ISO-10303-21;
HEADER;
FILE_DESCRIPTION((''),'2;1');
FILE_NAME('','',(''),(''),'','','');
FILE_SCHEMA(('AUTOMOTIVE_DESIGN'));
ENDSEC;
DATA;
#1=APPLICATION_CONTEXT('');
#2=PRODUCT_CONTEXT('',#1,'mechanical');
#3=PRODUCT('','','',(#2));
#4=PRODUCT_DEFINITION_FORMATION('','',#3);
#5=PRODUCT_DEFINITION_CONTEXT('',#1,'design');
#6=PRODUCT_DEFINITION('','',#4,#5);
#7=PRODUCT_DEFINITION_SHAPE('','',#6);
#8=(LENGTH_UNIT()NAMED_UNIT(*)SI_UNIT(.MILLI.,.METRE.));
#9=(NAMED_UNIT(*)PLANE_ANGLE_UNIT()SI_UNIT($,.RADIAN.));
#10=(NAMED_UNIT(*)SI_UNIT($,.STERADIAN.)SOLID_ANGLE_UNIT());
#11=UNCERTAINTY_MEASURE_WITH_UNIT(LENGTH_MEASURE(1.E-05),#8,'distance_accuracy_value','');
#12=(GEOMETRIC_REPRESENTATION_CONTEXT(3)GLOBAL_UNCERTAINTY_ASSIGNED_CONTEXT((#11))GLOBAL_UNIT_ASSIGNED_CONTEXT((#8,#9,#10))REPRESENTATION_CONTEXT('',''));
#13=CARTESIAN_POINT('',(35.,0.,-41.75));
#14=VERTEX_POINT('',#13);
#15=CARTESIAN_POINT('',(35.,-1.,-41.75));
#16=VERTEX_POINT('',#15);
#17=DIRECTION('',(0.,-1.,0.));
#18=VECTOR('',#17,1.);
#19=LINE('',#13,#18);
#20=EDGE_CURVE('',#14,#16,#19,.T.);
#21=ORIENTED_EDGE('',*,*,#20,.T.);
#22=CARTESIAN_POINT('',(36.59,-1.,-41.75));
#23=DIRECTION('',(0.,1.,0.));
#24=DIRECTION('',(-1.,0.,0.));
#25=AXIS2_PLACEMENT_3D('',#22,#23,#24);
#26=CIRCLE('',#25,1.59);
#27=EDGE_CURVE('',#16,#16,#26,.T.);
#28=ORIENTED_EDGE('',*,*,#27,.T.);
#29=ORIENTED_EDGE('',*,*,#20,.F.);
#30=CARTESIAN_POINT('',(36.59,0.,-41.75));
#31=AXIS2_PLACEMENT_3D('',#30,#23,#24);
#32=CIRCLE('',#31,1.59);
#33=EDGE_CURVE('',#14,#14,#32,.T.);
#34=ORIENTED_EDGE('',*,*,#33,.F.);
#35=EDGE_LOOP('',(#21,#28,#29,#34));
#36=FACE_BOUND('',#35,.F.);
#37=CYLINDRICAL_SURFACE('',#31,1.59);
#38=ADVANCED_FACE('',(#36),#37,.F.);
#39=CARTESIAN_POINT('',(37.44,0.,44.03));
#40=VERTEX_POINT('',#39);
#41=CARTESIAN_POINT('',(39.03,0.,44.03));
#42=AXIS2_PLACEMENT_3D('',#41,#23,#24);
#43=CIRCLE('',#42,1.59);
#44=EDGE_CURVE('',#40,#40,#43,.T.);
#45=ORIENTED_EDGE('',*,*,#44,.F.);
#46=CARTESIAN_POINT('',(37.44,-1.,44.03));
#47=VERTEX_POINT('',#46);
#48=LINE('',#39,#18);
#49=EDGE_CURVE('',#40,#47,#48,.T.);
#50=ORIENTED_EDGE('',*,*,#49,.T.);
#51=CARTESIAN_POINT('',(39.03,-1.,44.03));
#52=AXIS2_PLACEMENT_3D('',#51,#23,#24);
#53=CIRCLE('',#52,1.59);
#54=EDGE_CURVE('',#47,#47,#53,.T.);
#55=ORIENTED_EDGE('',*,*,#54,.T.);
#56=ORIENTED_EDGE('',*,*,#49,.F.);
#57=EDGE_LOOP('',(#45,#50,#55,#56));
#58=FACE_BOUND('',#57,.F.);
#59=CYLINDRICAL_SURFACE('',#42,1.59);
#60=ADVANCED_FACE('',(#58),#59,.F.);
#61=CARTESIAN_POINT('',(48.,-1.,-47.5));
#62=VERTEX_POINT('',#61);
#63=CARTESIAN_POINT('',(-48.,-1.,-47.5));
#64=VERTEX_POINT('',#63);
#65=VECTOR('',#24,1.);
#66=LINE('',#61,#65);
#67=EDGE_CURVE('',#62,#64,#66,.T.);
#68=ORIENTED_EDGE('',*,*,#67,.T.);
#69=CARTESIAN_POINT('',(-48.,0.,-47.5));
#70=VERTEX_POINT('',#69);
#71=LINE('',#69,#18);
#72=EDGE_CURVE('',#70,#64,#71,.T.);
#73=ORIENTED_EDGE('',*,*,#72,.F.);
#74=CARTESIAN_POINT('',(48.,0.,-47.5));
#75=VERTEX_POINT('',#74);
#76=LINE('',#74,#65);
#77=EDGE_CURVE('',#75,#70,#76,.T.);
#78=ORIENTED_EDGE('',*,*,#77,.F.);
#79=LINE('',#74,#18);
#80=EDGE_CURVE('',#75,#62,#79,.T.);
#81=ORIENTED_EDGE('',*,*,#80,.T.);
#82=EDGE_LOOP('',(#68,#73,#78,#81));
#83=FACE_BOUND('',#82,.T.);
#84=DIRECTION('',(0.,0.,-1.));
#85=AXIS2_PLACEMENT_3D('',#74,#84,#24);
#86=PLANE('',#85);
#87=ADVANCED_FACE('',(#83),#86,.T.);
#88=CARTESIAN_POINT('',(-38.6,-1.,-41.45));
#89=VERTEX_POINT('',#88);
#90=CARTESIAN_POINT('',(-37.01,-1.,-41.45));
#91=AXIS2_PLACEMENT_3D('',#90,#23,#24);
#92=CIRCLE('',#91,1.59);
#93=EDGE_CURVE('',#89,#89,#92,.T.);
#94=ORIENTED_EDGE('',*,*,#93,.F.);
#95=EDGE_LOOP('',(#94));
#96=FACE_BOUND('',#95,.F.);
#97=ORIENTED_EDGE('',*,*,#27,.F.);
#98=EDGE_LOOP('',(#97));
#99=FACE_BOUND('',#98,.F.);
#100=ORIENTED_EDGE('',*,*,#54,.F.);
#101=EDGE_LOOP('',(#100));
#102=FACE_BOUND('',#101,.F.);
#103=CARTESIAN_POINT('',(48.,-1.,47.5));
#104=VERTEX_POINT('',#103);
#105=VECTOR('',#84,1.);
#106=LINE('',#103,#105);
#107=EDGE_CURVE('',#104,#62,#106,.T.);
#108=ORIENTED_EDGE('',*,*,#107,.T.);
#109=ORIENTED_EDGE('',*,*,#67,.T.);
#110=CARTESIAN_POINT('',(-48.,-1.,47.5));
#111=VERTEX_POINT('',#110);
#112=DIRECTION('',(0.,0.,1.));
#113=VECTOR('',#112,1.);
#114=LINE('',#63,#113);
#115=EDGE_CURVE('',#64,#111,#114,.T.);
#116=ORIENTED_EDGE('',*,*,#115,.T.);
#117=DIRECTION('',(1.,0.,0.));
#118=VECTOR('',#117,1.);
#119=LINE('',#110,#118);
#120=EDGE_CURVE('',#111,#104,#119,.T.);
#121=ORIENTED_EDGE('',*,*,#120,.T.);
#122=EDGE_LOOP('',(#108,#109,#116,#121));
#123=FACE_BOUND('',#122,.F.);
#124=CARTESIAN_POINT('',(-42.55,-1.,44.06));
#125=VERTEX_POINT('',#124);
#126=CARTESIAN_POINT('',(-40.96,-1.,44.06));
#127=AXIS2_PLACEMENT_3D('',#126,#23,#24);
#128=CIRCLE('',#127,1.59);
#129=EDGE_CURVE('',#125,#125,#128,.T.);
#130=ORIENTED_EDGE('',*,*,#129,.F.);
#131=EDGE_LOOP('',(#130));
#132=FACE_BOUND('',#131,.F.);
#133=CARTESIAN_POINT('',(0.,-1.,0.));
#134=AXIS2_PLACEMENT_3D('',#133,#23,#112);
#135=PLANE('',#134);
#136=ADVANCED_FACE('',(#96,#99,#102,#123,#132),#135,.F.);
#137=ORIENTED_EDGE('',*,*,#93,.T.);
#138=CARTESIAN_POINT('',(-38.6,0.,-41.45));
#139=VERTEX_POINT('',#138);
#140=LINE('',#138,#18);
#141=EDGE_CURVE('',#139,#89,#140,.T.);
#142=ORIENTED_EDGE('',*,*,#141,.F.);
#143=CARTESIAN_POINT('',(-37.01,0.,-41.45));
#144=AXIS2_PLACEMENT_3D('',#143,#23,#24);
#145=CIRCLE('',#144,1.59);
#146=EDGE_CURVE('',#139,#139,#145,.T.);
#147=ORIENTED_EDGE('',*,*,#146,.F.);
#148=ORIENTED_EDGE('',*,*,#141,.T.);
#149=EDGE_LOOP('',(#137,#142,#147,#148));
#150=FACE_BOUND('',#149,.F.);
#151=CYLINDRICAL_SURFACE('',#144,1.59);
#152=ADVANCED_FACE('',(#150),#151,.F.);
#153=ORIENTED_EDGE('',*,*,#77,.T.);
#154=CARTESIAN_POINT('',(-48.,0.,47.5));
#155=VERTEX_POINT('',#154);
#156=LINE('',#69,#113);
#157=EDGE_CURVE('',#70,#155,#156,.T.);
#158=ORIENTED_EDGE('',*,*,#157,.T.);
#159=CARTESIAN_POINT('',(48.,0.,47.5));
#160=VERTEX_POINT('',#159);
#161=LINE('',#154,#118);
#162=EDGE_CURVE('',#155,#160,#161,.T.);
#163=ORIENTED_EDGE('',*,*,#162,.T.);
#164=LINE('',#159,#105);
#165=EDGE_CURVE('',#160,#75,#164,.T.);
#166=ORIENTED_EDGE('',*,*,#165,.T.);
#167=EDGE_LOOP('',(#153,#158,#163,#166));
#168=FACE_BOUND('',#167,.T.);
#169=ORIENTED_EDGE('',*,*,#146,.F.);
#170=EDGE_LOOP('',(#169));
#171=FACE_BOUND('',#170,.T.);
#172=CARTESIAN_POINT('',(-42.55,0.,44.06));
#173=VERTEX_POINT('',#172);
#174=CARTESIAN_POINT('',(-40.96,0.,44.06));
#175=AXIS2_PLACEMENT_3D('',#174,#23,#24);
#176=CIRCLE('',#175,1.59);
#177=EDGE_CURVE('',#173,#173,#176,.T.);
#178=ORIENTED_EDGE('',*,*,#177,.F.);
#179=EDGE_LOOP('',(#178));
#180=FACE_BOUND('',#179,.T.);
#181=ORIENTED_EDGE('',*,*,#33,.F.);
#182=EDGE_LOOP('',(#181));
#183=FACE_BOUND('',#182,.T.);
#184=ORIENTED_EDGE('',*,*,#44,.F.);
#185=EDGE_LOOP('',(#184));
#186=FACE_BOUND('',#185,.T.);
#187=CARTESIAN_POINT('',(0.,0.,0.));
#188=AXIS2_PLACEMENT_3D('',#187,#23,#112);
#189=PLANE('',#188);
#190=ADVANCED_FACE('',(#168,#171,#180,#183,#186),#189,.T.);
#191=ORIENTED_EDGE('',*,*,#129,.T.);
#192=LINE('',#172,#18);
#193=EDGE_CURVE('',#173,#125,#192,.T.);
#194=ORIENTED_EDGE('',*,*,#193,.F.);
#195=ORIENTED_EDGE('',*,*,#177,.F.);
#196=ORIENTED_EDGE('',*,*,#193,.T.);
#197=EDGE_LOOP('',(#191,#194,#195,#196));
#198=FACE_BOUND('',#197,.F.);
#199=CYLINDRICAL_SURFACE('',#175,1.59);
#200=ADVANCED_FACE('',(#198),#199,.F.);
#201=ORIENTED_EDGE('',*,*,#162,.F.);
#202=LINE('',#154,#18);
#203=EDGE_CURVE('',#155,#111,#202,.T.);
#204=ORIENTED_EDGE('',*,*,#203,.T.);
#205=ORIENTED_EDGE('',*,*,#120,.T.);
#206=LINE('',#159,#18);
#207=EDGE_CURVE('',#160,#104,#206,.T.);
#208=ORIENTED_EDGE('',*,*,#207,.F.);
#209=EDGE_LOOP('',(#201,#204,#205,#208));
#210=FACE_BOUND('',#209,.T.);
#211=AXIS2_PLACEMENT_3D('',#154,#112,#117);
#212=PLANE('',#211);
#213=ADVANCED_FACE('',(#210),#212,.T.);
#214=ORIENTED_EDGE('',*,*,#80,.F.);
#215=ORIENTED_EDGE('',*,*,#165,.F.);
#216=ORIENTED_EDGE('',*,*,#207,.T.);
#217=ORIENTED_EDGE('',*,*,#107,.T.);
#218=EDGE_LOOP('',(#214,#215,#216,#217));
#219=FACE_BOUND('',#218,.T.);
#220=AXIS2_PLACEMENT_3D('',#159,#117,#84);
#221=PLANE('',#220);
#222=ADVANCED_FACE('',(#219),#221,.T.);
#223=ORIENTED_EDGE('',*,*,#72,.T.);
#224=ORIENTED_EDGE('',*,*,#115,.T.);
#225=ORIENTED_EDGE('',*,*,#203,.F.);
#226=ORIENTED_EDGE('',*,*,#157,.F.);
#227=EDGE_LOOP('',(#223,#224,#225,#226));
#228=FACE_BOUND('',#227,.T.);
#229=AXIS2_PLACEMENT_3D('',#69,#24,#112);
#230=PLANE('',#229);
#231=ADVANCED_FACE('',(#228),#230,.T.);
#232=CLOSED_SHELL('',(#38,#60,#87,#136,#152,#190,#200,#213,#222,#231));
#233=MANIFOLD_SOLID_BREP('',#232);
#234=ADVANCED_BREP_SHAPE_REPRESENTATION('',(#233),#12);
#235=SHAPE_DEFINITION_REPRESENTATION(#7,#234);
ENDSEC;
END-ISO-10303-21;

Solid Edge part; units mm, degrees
sketch "Sketch1" plane through (0, 0, 0) normal (0, -1, 0) x (1, 0, 0)
  line L0 (-48, 47.5) -> (48, 47.5)
  line L1 (48, 47.5) -> (48, -47.5)
  line L2 (48, -47.5) -> (-48, -47.5)
  line L3 (-48, -47.5) -> (-48, 47.5)
  dimension "D1" = 48
  dimension "D2" = 48
  dimension "D3" = 47.5
  dimension "D4" = 47.5
extrude "Protrusion1" add sketch "Sketch1" along normal blind 1
sketch "Sketch2" plane through (0, 0, 0) normal (0, 1, 0) x (-1, 0, 0)
  circle A0 centre (40.96, 44.06) radius 1.59
  circle A1 centre (-39.03, 44.03) radius 1.59
  circle A2 centre (-36.59, -41.75) radius 1.59
  circle A3 centre (37.01, -41.45) radius 1.59
  dimension "D1" = 7.04
  dimension "D2" = 3.44
  dimension "D3" = 3.47
  dimension "D4" = 8.97
  dimension "D5" = 5.75
  dimension "D6" = 11.41
  dimension "D7" = 6.05
  dimension "D8" = 10.99
extrude "ExtrudedCutout_1" cut sketch "Sketch2" against normal blind 32.4613
